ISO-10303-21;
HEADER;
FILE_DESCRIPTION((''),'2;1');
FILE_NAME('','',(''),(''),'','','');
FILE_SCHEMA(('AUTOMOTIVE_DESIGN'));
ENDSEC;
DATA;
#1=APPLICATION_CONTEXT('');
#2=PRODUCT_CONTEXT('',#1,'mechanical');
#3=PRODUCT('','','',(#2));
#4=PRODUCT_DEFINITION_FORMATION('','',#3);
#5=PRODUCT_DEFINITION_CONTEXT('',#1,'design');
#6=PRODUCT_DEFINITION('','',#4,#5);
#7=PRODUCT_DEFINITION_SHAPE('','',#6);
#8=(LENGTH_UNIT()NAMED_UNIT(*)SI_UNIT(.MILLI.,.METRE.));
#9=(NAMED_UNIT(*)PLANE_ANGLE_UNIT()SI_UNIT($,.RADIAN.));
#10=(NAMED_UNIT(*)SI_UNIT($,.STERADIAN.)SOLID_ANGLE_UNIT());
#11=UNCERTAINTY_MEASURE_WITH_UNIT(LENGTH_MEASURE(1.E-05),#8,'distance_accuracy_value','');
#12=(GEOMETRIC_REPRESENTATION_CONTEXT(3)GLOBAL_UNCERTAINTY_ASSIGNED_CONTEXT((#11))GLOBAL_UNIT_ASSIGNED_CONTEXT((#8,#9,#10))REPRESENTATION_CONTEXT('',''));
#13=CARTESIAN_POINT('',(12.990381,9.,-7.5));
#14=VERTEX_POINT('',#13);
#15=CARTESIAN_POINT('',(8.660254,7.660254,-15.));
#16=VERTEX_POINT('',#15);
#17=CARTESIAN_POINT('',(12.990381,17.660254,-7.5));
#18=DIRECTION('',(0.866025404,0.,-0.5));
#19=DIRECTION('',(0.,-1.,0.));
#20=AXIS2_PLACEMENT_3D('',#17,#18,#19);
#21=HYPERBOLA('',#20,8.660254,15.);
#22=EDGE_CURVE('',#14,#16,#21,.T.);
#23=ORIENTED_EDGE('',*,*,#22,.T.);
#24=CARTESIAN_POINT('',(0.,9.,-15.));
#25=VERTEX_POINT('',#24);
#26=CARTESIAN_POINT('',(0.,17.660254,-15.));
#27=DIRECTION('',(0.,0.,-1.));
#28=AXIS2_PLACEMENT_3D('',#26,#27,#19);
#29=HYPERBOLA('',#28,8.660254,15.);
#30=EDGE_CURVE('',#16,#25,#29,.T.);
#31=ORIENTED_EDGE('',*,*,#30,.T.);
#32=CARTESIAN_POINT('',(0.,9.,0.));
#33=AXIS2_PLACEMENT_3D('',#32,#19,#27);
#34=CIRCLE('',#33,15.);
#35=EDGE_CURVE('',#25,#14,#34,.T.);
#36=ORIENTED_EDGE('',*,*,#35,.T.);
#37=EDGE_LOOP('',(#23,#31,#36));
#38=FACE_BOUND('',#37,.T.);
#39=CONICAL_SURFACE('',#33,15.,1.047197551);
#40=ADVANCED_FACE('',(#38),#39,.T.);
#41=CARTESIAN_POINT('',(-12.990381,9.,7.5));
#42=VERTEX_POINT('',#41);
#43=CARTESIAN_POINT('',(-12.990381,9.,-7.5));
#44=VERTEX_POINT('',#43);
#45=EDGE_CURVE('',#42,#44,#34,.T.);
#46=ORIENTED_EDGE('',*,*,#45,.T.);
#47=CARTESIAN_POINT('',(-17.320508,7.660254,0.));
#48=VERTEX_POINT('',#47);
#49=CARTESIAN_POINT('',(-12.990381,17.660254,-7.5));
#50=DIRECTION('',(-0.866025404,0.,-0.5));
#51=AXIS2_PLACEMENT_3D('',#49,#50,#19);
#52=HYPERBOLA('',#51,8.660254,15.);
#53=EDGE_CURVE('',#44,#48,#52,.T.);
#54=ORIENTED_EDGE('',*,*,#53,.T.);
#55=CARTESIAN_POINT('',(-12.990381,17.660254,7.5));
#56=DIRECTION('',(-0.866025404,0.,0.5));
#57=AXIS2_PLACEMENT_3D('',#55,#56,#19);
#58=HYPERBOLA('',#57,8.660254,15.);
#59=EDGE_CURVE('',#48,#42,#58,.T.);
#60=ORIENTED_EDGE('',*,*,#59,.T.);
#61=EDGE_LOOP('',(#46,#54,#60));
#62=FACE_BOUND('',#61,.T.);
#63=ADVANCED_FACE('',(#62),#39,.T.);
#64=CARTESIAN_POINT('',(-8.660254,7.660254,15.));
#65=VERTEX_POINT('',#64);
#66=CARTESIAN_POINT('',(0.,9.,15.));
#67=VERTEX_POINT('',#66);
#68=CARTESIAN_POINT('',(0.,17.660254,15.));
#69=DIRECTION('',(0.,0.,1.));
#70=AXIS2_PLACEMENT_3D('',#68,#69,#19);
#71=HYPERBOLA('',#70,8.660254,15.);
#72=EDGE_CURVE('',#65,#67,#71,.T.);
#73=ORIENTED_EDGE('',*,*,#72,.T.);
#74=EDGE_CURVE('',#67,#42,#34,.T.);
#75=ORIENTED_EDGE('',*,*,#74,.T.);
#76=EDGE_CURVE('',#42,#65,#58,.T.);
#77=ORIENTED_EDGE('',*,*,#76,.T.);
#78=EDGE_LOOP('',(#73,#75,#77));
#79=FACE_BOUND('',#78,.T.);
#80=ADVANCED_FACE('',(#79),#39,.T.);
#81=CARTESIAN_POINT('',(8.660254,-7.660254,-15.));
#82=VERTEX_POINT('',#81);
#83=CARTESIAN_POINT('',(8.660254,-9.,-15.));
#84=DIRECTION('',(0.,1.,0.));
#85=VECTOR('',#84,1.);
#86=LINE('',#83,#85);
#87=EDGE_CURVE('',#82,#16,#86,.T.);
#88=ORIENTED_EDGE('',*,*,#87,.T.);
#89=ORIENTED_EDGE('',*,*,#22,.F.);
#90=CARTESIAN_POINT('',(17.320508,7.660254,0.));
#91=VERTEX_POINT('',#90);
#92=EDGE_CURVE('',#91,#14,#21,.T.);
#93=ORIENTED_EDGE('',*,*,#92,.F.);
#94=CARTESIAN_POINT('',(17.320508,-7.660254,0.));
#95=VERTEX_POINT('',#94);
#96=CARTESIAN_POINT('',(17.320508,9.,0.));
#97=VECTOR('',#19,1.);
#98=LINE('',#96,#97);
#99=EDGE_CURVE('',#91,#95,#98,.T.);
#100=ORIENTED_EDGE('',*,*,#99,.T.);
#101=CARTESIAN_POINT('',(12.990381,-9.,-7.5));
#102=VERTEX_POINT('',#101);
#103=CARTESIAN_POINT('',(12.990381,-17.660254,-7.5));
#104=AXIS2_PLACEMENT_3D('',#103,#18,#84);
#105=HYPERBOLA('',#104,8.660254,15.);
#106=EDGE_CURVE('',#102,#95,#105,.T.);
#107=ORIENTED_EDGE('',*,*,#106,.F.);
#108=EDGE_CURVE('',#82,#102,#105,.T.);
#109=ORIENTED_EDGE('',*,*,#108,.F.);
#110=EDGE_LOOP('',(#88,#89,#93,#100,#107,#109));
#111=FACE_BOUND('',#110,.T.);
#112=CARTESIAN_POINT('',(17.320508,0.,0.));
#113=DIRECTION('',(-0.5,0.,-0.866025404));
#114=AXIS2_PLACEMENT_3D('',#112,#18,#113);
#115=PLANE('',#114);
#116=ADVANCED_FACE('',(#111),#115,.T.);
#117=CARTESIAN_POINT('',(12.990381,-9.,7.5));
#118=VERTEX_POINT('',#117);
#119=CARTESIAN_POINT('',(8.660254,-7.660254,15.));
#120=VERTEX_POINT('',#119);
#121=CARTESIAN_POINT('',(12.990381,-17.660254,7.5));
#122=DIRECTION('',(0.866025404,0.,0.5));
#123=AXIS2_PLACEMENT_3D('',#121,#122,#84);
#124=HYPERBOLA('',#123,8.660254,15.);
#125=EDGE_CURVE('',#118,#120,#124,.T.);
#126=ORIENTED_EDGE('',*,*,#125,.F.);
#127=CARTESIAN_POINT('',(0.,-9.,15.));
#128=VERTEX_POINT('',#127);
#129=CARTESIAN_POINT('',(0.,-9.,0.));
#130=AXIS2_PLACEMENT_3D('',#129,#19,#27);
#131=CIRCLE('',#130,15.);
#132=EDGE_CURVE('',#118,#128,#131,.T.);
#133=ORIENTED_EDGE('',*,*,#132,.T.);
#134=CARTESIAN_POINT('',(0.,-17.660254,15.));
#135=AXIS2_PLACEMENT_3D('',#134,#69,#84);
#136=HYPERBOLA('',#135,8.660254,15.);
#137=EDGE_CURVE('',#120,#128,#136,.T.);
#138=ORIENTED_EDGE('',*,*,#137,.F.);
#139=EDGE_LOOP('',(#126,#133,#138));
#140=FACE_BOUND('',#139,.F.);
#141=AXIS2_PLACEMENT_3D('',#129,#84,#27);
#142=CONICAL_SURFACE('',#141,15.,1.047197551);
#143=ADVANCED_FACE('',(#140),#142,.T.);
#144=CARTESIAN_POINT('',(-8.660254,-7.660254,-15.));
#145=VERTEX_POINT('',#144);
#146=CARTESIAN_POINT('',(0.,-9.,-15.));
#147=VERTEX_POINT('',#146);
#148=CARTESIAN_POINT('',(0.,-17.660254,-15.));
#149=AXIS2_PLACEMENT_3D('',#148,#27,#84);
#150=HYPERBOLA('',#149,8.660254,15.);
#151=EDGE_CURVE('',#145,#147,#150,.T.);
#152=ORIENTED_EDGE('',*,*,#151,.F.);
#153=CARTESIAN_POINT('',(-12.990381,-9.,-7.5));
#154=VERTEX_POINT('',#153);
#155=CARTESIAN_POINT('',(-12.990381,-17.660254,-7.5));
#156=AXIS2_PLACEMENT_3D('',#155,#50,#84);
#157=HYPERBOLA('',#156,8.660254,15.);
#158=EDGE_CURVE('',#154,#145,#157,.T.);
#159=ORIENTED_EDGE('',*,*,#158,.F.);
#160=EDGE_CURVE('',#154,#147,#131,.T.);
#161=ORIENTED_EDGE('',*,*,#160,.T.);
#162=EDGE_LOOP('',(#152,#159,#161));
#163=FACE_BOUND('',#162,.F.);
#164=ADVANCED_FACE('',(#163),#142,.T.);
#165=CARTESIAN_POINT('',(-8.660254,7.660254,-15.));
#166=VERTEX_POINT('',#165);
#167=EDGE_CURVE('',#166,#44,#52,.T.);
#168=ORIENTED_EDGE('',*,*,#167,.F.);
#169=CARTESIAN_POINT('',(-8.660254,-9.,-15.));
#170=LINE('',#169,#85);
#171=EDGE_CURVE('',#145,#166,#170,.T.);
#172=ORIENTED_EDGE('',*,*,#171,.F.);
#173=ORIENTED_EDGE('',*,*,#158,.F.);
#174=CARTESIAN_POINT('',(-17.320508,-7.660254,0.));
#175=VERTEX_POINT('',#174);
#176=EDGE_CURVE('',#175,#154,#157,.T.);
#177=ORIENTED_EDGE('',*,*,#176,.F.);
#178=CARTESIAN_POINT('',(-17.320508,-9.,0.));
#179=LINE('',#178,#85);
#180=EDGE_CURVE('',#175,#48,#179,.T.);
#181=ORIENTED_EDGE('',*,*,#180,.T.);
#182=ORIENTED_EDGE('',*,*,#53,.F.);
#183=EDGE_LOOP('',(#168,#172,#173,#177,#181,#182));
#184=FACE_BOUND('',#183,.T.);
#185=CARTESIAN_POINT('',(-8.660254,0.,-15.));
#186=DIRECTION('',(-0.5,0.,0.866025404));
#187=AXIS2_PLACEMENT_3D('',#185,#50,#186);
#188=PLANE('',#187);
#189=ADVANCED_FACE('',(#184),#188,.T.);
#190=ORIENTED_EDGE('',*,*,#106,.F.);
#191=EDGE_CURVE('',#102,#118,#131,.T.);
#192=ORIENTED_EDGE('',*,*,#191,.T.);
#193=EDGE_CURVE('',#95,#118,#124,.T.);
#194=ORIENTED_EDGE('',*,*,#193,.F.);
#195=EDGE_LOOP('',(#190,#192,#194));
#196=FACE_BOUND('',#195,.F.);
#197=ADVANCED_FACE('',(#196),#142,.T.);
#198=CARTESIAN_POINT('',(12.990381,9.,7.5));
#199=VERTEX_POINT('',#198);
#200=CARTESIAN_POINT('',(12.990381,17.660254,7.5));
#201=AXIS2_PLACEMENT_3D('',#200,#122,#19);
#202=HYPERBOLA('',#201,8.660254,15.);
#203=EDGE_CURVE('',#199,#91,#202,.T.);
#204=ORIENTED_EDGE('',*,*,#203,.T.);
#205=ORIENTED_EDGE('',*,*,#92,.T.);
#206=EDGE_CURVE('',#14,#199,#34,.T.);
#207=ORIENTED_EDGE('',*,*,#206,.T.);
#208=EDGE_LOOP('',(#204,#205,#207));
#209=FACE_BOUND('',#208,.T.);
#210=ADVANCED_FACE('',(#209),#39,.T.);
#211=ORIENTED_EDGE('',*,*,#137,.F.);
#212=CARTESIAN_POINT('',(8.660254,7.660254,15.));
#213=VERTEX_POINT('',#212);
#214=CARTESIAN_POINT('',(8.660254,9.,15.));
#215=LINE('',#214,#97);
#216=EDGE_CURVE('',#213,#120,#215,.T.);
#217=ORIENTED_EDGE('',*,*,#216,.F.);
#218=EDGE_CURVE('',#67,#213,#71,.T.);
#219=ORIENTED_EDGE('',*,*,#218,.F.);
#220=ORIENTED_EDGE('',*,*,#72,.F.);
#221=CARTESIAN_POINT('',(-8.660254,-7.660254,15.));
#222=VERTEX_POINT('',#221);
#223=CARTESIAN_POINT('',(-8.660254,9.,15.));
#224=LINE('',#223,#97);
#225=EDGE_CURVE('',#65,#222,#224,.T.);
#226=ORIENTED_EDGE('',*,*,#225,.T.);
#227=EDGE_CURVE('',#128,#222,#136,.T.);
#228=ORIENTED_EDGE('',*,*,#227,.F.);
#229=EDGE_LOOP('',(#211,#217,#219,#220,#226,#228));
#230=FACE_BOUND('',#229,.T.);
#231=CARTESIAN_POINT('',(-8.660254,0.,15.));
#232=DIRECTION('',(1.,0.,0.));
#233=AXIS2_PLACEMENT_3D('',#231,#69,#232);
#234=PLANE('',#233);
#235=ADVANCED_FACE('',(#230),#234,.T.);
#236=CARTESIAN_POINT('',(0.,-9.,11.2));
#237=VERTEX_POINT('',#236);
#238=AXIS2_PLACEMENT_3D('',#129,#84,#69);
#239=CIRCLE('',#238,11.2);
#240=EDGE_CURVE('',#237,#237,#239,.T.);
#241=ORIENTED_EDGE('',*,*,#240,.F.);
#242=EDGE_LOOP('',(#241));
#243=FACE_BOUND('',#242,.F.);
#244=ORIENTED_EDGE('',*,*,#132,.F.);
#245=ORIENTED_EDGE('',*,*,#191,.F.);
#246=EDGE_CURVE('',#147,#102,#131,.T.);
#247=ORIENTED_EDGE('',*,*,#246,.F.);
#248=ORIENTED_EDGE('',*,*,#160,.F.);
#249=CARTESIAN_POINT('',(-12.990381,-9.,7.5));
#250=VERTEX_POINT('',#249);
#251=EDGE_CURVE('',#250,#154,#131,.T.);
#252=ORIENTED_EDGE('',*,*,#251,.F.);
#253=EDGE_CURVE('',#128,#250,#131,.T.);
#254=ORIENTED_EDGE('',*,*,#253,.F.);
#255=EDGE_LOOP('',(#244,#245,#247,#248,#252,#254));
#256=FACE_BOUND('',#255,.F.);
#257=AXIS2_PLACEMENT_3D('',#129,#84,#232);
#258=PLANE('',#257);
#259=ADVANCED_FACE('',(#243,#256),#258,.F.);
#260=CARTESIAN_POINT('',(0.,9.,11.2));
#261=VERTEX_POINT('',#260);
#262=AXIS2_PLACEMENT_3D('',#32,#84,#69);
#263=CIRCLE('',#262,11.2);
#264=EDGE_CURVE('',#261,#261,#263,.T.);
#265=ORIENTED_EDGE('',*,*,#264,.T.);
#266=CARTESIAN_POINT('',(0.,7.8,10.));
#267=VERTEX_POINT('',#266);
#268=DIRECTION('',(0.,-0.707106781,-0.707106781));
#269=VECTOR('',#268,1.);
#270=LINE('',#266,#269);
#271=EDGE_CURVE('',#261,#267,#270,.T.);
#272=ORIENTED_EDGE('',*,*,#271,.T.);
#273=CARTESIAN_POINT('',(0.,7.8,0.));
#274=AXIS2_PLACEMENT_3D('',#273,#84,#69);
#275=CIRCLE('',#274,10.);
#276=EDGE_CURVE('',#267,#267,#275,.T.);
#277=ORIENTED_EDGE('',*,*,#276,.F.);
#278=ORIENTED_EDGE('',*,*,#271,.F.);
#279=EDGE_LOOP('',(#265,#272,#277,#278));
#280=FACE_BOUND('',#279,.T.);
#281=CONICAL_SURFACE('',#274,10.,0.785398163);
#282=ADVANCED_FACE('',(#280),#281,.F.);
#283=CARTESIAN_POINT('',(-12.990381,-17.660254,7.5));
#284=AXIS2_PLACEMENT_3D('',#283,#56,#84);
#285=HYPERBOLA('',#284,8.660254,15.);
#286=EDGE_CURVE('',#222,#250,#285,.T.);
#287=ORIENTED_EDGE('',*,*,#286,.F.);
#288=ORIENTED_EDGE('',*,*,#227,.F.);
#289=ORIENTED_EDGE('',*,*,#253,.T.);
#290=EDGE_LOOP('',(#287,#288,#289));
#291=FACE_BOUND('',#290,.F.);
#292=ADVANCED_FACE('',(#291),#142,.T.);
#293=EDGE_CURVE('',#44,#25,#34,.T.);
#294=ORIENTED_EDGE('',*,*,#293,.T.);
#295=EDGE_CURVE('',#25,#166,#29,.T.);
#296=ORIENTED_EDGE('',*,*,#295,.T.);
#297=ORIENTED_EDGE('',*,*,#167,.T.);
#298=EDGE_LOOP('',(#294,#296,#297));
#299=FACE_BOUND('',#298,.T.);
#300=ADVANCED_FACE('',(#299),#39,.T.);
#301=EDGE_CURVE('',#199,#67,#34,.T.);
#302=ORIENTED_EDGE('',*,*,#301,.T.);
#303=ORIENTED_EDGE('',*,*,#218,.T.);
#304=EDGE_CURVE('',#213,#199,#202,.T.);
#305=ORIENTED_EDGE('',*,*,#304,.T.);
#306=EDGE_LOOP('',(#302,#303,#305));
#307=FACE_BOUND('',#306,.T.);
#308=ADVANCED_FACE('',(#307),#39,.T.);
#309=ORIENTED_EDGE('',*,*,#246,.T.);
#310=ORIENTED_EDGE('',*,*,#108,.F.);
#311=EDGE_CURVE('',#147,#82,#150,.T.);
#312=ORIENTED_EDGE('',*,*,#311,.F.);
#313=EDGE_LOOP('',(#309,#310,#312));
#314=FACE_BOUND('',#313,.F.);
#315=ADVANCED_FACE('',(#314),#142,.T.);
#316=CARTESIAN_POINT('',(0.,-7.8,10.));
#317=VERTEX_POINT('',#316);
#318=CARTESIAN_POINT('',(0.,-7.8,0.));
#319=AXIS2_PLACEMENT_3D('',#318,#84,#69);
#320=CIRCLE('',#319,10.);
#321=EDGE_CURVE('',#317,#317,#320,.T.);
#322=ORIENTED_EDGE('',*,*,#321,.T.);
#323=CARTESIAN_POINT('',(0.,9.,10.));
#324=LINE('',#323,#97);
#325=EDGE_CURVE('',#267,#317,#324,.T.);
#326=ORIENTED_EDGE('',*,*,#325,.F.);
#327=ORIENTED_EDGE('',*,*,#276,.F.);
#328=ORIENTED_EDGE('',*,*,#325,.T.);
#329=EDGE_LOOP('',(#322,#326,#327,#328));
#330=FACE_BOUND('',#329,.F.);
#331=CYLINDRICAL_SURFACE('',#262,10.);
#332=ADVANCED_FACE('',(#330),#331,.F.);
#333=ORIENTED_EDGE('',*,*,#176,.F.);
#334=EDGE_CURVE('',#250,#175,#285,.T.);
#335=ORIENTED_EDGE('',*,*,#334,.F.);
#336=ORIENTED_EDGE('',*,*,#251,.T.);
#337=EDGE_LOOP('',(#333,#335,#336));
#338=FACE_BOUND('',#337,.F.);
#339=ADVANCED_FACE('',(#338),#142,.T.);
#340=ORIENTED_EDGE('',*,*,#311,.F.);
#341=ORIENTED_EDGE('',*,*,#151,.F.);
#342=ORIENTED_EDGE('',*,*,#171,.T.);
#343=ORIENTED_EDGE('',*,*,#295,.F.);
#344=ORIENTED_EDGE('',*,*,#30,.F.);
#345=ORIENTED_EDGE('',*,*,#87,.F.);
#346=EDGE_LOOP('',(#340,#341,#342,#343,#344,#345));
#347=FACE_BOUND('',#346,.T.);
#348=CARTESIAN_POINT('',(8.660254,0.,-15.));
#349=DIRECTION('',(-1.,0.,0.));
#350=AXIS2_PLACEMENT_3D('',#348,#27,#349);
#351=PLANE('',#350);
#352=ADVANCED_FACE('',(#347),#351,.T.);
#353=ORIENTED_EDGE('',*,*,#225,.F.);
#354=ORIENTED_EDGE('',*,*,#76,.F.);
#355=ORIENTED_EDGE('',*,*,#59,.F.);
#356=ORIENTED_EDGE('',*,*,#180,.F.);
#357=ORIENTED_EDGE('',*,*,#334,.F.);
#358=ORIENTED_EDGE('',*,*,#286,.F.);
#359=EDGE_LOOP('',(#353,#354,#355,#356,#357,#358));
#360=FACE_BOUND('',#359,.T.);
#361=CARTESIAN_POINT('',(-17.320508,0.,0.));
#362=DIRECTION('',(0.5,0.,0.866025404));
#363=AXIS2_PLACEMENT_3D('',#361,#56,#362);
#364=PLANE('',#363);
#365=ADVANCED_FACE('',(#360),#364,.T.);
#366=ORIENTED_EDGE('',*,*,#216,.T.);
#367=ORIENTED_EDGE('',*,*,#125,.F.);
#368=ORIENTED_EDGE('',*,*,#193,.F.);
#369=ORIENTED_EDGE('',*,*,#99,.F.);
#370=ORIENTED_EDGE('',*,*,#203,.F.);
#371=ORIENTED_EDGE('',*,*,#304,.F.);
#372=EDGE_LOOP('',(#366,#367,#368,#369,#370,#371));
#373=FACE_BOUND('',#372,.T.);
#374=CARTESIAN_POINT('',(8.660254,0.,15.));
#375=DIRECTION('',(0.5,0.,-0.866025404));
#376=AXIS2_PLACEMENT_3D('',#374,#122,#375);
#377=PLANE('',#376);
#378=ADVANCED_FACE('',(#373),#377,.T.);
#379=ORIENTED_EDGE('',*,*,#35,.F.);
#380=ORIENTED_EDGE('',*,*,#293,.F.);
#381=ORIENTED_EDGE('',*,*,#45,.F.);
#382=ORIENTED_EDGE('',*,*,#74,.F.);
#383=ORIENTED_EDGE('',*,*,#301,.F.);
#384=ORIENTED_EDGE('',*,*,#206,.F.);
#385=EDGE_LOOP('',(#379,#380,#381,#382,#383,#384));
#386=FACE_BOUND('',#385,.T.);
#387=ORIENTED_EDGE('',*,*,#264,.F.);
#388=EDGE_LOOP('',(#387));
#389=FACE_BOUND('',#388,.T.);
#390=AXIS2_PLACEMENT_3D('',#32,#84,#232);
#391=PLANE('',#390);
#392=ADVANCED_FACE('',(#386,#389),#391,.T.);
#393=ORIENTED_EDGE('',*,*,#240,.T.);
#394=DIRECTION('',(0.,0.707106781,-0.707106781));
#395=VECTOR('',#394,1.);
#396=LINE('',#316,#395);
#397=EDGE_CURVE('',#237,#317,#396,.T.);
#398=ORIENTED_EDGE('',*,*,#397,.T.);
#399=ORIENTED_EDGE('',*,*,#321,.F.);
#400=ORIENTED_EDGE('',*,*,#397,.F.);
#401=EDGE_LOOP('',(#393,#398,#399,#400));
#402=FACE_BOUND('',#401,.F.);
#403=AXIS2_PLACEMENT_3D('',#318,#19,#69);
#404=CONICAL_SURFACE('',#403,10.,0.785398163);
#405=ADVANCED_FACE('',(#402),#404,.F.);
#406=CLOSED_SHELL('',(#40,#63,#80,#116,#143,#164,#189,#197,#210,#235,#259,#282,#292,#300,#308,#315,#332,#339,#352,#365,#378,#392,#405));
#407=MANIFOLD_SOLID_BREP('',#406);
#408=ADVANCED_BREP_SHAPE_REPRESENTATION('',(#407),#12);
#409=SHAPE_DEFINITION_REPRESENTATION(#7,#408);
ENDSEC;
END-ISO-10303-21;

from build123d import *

# Parameters (mm, degrees)
EXTRUDE_1_DEPTH     = 9
SKETCH_2_R          = 10
CUT_EXTRUDE_1_DEPTH = 30.137604569
CHAMFER_1_SIZE      = 1.2


with BuildPart() as part:
    # 草图1 → 凸台-拉伸1 (new, symmetric)
    with BuildSketch(Plane(origin=(0, 0, 0), x_dir=(1, 0, 0), z_dir=(0, 1, 0))):
        Polygon((17.320508076, 0), (8.660254038, 15), (-8.660254038, 15), (-17.320508076, 0), (-8.660254038, -15), (8.660254038, -15), align=None)
    extrude(amount=EXTRUDE_1_DEPTH, both=True)

    # 草图2 → 切除-拉伸1 (cut, through all)
    with BuildSketch(Plane(origin=(0, 9, 0), x_dir=(1, 0, 0), z_dir=(0, 1, 0))):
        with Locations(Location((0, 0, 0), (0, 0, 270))):
            Circle(SKETCH_2_R)
    extrude(amount=-CUT_EXTRUDE_1_DEPTH, mode=Mode.SUBTRACT)

    # 倒角1
    chamfer_1_edges = [part.edges().sort_by_distance(p)[0] for p in [
        (0, -9, -10),
        (0, 9, -10),
    ]]
    chamfer(chamfer_1_edges, length=CHAMFER_1_SIZE)

    # 草图3 → 切除-旋转1 (revolve, cut)
    with BuildSketch(Plane.XY, mode=Mode.PRIVATE) as cut_revolve_1_sk:
        Polygon((17.320508076, 9), (15, 9), (17.320508076, 7.660254038), align=None)
    cut_revolve_1 = revolve(cut_revolve_1_sk.sketch.rotate(Axis((0, 9, 0), (0, -1, 0)), 270), axis=Axis((0, 9, 0), (0, -1, 0)), mode=Mode.SUBTRACT)

    # 镜向1: 切除-旋转1 across plane
    add(cut_revolve_1.mirror(Plane.ZX), mode=Mode.SUBTRACT)


solid = part.part
